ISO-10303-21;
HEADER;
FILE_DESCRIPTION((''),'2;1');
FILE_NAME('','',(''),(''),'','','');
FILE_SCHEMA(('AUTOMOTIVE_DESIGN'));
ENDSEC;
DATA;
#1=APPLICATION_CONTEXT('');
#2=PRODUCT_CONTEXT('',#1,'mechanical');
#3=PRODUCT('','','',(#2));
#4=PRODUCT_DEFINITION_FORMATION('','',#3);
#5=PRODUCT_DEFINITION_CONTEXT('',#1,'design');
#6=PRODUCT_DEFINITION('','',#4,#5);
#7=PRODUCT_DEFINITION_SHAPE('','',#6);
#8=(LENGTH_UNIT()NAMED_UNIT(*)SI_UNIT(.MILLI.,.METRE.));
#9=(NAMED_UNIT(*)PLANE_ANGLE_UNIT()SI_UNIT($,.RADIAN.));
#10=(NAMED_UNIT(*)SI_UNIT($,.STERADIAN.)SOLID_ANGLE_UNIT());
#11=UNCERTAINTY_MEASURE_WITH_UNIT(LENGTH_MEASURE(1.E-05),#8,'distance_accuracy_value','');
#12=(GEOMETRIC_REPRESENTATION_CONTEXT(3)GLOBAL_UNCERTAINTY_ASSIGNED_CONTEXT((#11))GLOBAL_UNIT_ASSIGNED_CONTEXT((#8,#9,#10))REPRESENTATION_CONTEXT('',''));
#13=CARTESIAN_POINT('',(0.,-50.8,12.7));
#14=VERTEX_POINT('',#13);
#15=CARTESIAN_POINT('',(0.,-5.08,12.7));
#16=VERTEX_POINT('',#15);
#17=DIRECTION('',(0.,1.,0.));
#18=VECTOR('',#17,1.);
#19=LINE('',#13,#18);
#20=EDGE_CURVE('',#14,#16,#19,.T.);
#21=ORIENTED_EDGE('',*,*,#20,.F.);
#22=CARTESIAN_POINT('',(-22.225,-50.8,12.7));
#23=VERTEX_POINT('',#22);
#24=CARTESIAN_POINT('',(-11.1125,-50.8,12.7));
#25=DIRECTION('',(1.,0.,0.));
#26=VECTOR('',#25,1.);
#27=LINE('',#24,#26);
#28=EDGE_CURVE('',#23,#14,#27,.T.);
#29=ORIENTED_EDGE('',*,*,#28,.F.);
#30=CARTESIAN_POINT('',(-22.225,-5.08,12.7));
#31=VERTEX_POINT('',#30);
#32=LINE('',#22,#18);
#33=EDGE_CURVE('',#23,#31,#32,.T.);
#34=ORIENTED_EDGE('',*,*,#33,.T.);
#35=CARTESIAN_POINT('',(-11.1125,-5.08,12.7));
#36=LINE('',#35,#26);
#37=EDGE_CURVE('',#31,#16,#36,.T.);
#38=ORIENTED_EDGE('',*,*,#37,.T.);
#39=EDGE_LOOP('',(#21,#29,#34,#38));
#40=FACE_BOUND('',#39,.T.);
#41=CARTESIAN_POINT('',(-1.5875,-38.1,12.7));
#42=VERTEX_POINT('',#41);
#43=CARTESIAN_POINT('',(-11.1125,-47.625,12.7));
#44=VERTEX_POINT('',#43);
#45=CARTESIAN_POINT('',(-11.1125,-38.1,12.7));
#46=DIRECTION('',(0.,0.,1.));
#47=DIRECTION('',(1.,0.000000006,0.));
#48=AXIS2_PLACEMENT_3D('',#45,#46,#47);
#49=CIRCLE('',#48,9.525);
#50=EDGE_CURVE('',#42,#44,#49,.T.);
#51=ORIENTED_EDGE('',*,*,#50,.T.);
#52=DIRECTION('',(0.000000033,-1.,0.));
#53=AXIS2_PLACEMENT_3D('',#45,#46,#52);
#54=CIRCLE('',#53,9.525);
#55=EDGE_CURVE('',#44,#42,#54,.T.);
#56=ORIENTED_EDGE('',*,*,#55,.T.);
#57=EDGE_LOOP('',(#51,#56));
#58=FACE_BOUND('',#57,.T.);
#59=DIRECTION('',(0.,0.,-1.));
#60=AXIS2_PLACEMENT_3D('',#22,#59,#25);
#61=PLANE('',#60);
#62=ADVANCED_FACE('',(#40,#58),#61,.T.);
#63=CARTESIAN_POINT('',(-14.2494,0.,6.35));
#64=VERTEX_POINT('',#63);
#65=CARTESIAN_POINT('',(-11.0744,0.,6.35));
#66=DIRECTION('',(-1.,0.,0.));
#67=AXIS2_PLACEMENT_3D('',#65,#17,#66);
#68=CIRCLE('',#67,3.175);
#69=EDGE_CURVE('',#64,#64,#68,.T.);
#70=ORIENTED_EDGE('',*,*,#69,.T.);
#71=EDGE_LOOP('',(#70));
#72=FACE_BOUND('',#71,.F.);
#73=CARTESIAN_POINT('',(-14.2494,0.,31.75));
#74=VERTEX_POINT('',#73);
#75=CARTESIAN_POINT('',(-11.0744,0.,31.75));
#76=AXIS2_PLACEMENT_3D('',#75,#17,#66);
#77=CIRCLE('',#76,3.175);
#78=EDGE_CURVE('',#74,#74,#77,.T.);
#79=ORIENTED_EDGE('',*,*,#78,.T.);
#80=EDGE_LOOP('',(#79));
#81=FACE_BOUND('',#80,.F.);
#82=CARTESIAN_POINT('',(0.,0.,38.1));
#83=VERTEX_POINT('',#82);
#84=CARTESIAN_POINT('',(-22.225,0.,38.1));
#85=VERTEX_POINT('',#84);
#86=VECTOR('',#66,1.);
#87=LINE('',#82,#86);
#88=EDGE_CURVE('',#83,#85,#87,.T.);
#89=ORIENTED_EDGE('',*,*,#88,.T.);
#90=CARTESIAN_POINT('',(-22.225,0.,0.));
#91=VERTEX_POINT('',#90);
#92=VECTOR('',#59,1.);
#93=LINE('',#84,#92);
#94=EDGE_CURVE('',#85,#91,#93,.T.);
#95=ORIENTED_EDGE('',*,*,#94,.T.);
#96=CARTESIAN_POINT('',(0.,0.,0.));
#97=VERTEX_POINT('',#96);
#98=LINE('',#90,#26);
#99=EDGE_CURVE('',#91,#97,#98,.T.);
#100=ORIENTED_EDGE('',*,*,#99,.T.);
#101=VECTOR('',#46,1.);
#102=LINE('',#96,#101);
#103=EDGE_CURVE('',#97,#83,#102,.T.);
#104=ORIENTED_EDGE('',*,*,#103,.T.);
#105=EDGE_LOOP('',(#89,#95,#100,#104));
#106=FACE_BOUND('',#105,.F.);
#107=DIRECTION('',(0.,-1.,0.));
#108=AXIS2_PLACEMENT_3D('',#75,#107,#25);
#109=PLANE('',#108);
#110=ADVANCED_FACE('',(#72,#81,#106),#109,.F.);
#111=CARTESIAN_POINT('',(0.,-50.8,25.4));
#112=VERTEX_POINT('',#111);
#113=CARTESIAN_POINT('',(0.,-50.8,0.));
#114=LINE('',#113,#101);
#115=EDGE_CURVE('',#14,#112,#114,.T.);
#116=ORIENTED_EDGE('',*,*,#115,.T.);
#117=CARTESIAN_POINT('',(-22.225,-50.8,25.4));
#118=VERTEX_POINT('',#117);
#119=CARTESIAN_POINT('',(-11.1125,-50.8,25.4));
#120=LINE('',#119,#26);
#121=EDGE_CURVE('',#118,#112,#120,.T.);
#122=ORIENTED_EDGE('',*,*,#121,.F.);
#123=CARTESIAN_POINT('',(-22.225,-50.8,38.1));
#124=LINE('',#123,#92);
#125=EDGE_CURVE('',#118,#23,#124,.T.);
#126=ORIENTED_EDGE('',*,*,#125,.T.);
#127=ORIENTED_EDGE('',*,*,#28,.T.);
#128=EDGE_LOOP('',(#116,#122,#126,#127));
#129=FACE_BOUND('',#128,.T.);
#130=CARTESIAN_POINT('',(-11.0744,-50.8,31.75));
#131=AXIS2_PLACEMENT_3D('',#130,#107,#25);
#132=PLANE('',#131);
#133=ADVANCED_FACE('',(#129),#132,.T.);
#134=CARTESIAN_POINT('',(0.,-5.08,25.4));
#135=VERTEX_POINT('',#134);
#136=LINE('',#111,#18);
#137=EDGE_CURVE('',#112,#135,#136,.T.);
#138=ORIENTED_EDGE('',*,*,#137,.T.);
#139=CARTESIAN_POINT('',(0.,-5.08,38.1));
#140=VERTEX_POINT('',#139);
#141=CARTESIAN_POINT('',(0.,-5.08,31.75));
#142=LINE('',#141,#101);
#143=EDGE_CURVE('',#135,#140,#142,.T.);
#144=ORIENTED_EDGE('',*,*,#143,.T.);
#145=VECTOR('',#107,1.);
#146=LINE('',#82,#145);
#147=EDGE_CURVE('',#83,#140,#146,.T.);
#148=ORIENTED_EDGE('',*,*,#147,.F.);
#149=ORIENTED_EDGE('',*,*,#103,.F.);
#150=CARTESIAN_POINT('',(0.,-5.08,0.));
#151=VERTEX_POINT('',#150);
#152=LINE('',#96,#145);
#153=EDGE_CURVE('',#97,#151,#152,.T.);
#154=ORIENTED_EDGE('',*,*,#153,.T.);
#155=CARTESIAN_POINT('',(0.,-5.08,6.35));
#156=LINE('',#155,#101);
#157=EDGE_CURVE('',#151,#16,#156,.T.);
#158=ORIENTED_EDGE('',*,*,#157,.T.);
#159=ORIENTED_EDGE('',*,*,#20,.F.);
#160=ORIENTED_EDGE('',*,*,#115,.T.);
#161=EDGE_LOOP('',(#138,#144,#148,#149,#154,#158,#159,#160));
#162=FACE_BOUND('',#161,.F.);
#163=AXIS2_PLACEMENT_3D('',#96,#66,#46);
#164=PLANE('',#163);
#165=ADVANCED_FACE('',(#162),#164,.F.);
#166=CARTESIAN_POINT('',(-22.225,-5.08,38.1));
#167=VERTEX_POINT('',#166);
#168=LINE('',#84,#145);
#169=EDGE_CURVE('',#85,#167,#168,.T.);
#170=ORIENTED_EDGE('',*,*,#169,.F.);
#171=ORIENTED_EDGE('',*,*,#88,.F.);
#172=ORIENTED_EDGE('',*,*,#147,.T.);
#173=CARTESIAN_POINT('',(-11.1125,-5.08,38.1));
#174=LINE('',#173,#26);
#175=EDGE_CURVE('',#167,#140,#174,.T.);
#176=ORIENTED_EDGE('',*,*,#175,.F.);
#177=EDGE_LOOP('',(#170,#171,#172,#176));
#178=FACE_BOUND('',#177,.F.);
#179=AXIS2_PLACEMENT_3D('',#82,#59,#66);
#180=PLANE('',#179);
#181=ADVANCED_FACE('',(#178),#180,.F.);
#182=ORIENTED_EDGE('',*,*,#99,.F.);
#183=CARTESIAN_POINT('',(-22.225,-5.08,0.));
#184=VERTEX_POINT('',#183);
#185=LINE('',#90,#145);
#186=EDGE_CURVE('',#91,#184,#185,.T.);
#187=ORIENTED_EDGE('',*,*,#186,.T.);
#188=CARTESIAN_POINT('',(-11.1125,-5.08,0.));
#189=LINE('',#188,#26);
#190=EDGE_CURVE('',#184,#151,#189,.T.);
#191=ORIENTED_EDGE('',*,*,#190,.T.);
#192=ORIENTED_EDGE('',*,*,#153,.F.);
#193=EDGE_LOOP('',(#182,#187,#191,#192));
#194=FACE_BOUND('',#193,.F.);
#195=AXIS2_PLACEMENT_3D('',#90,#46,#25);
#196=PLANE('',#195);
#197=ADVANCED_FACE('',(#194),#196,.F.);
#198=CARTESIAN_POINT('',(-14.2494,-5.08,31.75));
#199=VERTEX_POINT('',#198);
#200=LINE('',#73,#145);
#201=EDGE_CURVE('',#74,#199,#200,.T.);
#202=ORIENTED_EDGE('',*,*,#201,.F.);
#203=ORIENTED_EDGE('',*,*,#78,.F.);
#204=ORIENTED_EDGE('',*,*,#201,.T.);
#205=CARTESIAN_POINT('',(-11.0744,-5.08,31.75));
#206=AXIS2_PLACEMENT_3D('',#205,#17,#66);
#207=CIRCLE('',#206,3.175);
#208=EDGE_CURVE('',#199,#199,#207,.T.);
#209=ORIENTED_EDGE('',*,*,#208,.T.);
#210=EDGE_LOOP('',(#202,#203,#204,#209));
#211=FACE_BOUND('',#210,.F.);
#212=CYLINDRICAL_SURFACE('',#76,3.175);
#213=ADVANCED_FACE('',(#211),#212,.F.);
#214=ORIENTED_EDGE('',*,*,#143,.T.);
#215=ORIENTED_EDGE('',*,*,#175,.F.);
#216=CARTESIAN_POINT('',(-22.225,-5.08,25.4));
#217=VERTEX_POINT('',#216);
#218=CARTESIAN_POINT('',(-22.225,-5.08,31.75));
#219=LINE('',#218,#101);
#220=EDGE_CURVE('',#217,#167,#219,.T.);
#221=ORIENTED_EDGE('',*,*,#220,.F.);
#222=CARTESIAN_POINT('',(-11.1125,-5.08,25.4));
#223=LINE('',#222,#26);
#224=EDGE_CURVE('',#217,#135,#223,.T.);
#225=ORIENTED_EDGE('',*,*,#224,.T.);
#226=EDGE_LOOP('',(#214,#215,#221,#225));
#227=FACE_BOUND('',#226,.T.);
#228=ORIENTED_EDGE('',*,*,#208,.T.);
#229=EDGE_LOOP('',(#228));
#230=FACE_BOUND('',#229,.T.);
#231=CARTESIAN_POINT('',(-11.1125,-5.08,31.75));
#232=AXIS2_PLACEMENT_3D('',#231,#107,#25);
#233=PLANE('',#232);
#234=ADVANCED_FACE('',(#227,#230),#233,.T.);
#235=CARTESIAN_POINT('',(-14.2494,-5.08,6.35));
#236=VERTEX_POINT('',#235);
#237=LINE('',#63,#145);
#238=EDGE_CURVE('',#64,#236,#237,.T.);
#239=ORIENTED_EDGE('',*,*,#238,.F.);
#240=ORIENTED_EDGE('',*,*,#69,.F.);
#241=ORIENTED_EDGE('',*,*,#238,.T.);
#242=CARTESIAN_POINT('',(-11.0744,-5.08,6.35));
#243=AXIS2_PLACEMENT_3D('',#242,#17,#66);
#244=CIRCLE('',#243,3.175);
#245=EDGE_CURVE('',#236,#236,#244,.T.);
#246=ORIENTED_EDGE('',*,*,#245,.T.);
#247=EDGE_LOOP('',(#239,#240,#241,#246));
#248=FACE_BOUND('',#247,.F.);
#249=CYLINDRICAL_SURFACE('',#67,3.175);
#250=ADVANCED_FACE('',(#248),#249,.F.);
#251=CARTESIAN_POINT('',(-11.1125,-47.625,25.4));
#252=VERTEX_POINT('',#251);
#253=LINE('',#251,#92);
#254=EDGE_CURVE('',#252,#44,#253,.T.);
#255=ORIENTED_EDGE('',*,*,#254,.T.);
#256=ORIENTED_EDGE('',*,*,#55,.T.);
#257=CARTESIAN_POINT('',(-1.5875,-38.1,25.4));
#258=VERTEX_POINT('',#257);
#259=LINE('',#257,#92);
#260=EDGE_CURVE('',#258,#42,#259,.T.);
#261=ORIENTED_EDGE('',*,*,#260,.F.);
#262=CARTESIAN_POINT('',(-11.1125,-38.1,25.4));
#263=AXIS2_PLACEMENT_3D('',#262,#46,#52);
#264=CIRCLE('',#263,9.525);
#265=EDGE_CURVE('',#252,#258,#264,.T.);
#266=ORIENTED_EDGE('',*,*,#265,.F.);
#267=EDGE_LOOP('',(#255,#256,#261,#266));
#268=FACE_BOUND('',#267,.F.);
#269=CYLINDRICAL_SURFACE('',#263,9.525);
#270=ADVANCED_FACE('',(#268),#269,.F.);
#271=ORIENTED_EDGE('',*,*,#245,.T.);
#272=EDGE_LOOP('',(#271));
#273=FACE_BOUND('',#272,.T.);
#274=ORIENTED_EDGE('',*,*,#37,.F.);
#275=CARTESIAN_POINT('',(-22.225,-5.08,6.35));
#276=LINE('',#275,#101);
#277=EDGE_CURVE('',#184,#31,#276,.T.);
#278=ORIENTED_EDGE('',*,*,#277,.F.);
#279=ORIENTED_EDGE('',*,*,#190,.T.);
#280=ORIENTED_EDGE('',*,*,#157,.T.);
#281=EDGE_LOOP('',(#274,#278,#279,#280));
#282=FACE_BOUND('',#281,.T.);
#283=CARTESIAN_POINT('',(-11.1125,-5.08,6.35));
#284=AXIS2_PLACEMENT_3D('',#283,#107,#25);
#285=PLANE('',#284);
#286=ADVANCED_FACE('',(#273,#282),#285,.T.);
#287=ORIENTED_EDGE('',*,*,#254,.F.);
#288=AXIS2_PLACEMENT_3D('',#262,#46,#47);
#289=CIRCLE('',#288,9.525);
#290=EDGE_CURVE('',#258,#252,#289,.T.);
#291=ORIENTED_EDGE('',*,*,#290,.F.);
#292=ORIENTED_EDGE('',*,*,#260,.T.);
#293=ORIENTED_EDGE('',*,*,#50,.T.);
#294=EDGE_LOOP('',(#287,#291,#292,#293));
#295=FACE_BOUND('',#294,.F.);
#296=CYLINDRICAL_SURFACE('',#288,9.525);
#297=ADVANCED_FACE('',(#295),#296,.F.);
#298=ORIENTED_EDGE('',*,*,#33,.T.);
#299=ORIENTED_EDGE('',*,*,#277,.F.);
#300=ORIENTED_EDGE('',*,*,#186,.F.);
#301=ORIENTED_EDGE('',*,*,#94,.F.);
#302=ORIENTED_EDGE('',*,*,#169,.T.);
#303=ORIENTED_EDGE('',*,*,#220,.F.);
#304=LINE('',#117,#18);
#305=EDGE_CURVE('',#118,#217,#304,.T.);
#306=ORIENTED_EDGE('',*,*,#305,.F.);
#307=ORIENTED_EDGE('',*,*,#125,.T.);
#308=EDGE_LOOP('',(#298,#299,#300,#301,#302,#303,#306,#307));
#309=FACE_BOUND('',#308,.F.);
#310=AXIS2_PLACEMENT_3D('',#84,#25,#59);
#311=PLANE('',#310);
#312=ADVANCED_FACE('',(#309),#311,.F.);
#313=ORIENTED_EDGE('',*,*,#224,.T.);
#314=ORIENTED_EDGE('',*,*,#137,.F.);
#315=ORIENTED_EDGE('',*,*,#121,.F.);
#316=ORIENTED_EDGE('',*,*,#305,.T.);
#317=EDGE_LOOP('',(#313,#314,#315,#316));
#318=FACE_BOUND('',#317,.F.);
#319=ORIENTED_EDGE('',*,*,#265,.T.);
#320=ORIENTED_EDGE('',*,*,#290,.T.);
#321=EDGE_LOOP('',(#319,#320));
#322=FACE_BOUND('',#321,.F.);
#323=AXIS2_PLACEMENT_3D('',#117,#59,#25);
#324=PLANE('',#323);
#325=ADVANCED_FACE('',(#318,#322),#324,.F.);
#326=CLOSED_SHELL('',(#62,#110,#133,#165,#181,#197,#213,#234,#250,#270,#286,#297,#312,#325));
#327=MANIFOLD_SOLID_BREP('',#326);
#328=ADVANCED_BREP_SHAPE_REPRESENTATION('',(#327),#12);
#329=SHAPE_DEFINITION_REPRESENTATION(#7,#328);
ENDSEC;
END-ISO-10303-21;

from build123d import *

# Parameters (mm, degrees)
F1_DEPTH = 50.8
F2_W     = 22.225
F2_H     = 12.7
F3_DEPTH = 45.72
F5_DEPTH = 25.401


with BuildPart() as f1:
    # F0 (on Front) → F1 (new body)
    with BuildSketch(Plane.XZ):
        with BuildLine():
            ThreePointArc((-7.8994, 31.75), (-11.0744, 34.925), (-14.2494, 31.75))
            ThreePointArc((-14.2494, 31.75), (-11.0744, 28.575), (-7.8994, 31.75))
        make_face()
        with BuildLine():
            ThreePointArc((-7.8994, 6.35), (-11.0744, 9.525), (-14.2494, 6.35))
            ThreePointArc((-14.2494, 6.35), (-11.0744, 3.175), (-7.8994, 6.35))
        make_face()
        Polygon((-22.225, 0), (0, 0), (0, 38.1), (-22.225, 38.1), (-22.225, 31.75), (-22.225, 25.4), (-22.225, 12.7), (-22.225, 6.35), align=None)
        with BuildLine():
            ThreePointArc((-7.8994, 6.35), (-11.0744, 3.175), (-14.2494, 6.35))
            ThreePointArc((-14.2494, 6.35), (-11.0744, 9.525), (-7.8994, 6.35))
        make_face(mode=Mode.SUBTRACT)
        with BuildLine():
            ThreePointArc((-7.8994, 31.75), (-11.0744, 28.575), (-14.2494, 31.75))
            ThreePointArc((-14.2494, 31.75), (-11.0744, 34.925), (-7.8994, 31.75))
        make_face(mode=Mode.SUBTRACT)
    extrude(amount=F1_DEPTH)

    # F2 (on face) → F3 (cut)
    with BuildSketch(Plane.XZ.offset(50.8)):
        with Locations((-11.1125, 31.75)):
            Rectangle(F2_W, F2_H)
        with Locations((-11.1125, 6.35)):
            Rectangle(F2_W, F2_H)
    extrude(amount=-F3_DEPTH, mode=Mode.SUBTRACT)

    # F4 (on face) → F5 (cut, through all)
    with BuildSketch(Plane.XY.offset(25.4)):
        with BuildLine():
            ThreePointArc((-11.1125, -47.625), (-4.377308, -44.835192), (-1.5875, -38.1))
            ThreePointArc((-1.5875, -38.1), (-17.847692, -31.364808), (-11.1125, -47.625))
        make_face()
    extrude(amount=-F5_DEPTH, mode=Mode.SUBTRACT)


solid = f1.part
